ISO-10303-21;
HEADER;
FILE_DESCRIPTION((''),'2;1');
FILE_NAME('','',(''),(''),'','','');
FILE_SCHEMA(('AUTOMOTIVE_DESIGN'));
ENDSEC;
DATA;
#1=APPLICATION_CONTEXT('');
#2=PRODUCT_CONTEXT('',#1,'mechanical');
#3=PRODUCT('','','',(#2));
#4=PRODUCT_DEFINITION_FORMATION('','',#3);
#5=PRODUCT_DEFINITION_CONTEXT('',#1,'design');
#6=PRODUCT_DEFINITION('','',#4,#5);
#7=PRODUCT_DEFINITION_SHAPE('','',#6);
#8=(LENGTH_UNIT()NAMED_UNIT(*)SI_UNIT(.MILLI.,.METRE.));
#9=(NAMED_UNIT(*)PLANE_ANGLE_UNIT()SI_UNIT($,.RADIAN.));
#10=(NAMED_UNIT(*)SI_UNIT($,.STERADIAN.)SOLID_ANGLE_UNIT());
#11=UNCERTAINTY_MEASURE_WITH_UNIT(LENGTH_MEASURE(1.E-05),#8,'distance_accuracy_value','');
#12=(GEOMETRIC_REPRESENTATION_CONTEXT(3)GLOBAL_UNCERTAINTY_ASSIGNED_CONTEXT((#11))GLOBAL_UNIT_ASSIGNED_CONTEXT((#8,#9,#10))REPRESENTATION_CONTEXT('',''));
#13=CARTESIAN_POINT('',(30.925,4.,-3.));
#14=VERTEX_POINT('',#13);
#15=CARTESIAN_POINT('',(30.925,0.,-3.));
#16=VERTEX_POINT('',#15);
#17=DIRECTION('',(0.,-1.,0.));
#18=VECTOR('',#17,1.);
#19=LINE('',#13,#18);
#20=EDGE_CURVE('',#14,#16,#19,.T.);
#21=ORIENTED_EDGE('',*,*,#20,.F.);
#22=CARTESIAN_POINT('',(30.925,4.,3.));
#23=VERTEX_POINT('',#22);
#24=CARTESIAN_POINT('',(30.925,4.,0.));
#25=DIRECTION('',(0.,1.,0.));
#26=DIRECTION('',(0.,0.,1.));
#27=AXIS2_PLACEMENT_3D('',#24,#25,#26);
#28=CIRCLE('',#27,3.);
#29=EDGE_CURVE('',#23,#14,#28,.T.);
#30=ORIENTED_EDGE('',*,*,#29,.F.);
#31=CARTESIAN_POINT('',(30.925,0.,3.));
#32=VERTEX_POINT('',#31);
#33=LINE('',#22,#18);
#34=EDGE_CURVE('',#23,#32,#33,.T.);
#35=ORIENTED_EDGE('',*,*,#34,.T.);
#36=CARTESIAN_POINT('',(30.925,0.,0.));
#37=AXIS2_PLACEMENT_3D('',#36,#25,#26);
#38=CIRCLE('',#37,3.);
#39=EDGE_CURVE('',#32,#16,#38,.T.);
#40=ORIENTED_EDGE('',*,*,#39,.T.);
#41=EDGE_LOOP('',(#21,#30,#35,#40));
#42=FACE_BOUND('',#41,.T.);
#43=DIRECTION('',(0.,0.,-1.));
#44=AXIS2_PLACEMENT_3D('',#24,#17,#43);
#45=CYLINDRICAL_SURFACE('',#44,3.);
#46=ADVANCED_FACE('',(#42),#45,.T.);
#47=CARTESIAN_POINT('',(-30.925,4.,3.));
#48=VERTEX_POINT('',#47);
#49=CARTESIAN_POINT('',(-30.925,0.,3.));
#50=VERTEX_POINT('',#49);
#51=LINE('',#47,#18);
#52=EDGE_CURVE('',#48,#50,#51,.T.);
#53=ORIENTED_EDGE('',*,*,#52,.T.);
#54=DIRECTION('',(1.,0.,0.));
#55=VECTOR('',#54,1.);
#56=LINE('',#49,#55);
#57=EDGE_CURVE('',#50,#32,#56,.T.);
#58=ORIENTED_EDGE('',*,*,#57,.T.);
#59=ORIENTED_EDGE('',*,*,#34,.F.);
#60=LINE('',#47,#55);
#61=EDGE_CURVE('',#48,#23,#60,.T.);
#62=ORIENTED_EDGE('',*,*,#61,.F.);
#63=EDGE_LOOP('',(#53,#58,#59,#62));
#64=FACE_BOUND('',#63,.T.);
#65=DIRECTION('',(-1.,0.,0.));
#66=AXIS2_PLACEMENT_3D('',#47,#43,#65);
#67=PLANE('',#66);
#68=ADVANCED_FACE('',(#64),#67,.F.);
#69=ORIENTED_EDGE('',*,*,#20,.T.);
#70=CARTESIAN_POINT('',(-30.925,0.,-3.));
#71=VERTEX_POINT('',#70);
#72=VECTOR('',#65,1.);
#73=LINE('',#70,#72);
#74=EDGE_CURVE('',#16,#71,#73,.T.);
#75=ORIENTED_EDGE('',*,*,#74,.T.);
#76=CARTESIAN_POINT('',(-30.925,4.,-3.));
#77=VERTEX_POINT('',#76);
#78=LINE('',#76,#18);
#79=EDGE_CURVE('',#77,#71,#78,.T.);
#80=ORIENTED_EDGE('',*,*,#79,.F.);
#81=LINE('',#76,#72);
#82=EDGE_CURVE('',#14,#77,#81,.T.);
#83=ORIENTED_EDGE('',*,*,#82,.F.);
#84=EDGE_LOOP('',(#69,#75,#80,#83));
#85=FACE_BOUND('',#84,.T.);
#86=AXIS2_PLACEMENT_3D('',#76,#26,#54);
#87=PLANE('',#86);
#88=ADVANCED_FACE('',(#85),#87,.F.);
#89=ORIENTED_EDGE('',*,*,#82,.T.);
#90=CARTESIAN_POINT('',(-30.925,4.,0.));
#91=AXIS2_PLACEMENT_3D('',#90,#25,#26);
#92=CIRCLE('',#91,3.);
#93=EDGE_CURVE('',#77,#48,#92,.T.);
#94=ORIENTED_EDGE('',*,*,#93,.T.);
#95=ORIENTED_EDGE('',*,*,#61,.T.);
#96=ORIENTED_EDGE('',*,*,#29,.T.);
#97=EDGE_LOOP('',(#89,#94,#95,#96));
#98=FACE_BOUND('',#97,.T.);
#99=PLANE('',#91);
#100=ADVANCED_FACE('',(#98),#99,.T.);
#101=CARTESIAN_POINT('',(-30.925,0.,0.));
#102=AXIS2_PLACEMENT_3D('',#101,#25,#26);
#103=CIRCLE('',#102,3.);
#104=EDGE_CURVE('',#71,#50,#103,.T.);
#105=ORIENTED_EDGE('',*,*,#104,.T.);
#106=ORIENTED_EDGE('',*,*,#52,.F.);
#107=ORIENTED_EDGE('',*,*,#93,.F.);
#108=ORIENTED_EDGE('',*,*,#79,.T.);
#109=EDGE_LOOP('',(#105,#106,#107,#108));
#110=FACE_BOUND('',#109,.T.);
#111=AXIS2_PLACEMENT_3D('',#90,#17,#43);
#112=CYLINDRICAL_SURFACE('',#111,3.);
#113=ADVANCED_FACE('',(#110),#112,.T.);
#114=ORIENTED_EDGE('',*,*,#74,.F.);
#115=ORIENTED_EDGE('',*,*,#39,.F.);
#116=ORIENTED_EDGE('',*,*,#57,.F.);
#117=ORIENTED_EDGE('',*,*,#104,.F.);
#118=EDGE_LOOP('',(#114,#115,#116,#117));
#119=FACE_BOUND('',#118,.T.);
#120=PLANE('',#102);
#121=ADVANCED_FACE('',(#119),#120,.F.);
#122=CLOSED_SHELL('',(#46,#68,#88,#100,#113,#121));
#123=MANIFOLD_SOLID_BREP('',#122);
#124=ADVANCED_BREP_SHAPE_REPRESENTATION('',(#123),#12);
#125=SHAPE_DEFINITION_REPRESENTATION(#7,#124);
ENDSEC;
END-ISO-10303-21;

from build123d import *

# Parameters (mm, degrees)
BOSS_EXTRUDE1_DEPTH = 4


with BuildPart() as part:
    # Sketch1 → Boss-Extrude1 (new body)
    with BuildSketch(Plane(origin=(0, 0, 0), x_dir=(1, 0, 0), z_dir=(0, 1, 0))):
        with BuildLine():
            Line((-30.925, 3), (30.925, 3))
            ThreePointArc((30.925, 3), (33.925, 0), (30.925, -3))
            Line((30.925, -3), (-30.925, -3))
            ThreePointArc((-30.925, -3), (-33.925, 0), (-30.925, 3))
        make_face()
    extrude(amount=BOSS_EXTRUDE1_DEPTH)


solid = part.part
